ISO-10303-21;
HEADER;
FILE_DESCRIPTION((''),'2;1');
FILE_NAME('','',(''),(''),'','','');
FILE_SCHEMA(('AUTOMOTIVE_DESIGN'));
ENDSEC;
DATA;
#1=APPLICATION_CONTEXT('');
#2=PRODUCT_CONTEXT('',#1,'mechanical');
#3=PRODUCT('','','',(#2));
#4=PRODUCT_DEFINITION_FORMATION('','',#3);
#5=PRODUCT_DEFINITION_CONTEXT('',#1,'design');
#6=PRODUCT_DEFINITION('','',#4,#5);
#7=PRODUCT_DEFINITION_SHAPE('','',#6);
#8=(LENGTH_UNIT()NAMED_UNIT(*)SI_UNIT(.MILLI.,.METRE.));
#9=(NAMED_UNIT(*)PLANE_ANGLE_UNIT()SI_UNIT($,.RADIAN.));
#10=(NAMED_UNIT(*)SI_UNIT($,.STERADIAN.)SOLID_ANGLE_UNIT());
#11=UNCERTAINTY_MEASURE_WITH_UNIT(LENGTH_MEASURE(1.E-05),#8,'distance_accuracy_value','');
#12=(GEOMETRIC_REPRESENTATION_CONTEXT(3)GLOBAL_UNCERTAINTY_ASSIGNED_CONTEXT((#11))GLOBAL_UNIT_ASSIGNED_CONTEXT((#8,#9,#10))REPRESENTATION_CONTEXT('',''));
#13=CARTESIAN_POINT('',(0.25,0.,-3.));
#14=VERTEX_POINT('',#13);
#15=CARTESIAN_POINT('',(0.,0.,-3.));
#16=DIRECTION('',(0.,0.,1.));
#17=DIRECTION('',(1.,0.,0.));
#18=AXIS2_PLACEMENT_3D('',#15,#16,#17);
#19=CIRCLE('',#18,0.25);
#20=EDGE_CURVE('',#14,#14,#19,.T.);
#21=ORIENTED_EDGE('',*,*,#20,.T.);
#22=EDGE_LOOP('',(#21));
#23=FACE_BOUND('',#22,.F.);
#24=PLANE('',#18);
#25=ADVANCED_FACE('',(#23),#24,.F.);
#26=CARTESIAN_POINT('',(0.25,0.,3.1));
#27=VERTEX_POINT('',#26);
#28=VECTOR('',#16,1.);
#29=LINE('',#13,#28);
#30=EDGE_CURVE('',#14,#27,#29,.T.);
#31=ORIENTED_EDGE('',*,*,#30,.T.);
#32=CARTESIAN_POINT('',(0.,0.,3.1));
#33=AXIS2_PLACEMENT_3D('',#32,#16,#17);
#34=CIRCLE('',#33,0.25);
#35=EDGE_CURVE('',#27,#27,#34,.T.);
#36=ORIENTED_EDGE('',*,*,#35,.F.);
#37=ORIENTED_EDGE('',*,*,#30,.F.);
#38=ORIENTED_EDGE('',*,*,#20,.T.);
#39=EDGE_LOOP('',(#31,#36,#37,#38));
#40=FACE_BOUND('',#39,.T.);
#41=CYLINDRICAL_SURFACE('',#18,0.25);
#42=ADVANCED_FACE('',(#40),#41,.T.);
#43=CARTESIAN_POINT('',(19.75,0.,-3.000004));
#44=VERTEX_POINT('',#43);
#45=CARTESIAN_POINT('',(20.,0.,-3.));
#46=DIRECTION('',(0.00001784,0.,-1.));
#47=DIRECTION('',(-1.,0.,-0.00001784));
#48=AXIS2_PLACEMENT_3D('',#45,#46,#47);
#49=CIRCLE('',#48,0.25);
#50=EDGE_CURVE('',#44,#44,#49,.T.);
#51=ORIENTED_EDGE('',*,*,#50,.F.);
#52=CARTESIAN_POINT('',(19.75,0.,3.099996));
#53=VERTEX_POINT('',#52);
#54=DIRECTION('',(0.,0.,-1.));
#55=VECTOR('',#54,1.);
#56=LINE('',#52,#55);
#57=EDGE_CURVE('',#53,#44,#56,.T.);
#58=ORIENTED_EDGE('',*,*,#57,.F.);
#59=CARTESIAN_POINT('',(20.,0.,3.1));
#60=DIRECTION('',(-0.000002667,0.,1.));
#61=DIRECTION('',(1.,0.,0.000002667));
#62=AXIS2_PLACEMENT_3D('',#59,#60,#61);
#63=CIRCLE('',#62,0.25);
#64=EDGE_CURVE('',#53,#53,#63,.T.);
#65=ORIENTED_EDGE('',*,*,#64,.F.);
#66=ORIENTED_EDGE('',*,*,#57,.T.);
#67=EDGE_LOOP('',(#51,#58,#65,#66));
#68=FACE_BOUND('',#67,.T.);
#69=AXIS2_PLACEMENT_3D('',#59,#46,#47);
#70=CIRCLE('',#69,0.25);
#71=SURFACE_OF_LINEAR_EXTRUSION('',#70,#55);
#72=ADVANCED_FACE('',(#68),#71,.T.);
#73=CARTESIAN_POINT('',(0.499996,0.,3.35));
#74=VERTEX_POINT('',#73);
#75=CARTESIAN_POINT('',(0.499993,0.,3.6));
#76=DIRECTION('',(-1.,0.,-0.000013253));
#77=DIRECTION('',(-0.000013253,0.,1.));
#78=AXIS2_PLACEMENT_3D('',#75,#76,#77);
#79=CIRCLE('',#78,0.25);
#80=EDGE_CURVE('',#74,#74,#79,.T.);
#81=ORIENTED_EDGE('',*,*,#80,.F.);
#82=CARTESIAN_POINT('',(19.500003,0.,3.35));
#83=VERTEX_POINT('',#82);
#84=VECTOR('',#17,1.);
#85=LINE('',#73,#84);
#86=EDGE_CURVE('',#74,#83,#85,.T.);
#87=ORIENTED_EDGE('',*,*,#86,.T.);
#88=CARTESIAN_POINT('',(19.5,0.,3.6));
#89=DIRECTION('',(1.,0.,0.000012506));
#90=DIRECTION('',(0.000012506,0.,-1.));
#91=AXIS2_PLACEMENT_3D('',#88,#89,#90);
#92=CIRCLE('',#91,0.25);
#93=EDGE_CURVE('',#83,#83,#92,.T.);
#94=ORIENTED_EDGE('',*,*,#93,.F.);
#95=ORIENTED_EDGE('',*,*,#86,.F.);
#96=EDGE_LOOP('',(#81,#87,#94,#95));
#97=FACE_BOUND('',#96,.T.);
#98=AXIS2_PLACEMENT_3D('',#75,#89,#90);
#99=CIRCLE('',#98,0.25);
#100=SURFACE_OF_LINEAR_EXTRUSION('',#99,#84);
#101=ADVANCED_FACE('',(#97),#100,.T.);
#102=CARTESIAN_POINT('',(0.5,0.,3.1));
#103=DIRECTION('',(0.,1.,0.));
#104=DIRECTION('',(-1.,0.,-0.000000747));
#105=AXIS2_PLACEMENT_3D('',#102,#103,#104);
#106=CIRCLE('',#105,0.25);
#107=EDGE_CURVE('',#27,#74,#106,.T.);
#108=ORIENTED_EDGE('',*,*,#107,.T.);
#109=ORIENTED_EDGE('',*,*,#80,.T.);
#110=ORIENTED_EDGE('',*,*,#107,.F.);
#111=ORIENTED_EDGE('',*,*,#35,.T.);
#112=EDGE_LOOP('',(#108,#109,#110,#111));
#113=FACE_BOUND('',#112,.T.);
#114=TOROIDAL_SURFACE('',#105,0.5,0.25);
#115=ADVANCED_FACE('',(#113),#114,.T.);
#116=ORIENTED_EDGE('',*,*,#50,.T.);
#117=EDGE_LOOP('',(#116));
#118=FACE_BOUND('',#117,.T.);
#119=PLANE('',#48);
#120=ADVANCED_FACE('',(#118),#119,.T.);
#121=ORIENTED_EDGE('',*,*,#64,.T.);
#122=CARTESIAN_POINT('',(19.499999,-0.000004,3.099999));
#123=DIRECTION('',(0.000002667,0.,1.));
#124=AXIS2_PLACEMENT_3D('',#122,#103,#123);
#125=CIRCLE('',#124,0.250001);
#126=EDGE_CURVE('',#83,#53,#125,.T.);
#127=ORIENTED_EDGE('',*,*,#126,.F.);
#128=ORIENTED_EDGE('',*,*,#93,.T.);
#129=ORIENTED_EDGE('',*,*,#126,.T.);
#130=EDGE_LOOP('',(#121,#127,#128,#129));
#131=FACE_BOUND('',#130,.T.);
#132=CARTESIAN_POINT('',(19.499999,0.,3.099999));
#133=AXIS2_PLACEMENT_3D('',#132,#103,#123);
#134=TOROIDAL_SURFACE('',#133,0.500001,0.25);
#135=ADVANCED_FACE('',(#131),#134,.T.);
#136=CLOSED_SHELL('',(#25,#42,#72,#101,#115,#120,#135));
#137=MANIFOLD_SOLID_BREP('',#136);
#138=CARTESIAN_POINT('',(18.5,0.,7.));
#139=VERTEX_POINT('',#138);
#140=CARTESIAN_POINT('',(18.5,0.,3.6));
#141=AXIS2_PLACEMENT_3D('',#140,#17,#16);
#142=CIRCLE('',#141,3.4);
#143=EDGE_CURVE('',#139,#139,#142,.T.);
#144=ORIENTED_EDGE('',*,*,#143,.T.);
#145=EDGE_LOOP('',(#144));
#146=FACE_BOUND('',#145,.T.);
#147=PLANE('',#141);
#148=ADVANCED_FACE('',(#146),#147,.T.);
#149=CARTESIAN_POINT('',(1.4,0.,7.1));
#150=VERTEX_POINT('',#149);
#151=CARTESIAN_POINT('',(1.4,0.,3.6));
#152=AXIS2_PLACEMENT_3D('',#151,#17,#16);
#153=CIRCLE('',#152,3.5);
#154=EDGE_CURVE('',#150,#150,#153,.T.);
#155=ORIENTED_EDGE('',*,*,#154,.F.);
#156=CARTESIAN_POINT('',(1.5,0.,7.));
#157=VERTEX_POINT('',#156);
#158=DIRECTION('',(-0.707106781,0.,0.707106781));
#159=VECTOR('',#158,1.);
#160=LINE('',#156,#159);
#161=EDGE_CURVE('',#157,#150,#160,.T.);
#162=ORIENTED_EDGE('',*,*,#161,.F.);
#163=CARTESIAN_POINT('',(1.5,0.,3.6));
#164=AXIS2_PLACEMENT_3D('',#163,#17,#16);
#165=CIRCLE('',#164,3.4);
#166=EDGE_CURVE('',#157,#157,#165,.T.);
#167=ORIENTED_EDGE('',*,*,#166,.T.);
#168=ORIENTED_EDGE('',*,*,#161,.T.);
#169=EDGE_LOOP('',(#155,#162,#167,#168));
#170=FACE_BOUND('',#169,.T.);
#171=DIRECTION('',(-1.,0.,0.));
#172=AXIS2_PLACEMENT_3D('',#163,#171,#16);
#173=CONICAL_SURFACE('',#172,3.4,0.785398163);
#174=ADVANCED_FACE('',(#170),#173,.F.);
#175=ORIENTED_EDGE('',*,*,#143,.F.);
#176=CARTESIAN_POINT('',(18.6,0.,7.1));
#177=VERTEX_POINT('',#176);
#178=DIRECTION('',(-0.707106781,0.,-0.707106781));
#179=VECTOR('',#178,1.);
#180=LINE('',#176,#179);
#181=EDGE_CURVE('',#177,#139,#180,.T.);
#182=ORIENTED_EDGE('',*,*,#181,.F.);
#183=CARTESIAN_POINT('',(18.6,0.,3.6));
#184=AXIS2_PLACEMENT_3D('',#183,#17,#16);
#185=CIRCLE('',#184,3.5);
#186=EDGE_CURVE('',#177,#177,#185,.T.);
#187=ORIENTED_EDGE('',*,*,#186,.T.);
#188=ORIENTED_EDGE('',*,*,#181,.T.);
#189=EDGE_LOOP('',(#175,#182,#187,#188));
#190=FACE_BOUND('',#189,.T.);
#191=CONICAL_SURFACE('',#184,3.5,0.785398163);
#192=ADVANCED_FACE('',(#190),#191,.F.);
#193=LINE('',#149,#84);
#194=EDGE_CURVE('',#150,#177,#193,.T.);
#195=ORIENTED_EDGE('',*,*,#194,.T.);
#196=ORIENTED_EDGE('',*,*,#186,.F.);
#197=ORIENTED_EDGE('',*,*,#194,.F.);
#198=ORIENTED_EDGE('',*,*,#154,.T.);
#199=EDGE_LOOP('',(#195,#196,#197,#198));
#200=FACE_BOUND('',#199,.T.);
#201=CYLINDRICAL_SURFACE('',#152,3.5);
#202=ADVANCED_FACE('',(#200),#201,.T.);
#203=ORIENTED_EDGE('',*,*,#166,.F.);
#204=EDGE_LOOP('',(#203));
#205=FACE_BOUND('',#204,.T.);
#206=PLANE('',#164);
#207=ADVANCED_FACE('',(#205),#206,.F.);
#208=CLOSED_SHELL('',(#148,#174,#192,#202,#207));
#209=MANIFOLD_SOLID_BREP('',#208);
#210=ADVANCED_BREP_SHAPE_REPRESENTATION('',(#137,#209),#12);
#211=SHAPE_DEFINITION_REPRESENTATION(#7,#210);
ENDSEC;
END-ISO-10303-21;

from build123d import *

# Parameters (mm, degrees)
SKETCH_R = 0.25


with BuildPart() as sweep_body:
    # Sweep: sweep along a path in Sketch001
    with BuildLine(Plane.XZ) as sweep_path:
        Line((0, -3), (0, 3.1))
        ThreePointArc((0, 3.1), (0.146444, 3.453551), (0.499993, 3.6))
        Line((0.499993, 3.6), (19.5, 3.6))
        ThreePointArc((19.5, 3.6), (19.853553, 3.453553), (20, 3.1))
        Line((20, 3.1), (20, -3))
    # Sketch → Sweep (sweep)
    with BuildSketch(Plane.XY.offset(-2)):
        Circle(SKETCH_R)
    sweep(path=sweep_path.line)


with BuildPart() as revolution:
    # Sketch002 → Revolution (revolve)
    with BuildSketch(Plane.XZ):
        Polygon((1.4, 7.1), (18.6, 7.1), (18.5, 7), (18.5, 3.6), (1.5, 3.6), (1.5, 7), align=None)
    revolve(axis=Axis((7.611803, 0, 3.6), (1, 0, 0)))


solid = Compound([sweep_body.part, revolution.part])
